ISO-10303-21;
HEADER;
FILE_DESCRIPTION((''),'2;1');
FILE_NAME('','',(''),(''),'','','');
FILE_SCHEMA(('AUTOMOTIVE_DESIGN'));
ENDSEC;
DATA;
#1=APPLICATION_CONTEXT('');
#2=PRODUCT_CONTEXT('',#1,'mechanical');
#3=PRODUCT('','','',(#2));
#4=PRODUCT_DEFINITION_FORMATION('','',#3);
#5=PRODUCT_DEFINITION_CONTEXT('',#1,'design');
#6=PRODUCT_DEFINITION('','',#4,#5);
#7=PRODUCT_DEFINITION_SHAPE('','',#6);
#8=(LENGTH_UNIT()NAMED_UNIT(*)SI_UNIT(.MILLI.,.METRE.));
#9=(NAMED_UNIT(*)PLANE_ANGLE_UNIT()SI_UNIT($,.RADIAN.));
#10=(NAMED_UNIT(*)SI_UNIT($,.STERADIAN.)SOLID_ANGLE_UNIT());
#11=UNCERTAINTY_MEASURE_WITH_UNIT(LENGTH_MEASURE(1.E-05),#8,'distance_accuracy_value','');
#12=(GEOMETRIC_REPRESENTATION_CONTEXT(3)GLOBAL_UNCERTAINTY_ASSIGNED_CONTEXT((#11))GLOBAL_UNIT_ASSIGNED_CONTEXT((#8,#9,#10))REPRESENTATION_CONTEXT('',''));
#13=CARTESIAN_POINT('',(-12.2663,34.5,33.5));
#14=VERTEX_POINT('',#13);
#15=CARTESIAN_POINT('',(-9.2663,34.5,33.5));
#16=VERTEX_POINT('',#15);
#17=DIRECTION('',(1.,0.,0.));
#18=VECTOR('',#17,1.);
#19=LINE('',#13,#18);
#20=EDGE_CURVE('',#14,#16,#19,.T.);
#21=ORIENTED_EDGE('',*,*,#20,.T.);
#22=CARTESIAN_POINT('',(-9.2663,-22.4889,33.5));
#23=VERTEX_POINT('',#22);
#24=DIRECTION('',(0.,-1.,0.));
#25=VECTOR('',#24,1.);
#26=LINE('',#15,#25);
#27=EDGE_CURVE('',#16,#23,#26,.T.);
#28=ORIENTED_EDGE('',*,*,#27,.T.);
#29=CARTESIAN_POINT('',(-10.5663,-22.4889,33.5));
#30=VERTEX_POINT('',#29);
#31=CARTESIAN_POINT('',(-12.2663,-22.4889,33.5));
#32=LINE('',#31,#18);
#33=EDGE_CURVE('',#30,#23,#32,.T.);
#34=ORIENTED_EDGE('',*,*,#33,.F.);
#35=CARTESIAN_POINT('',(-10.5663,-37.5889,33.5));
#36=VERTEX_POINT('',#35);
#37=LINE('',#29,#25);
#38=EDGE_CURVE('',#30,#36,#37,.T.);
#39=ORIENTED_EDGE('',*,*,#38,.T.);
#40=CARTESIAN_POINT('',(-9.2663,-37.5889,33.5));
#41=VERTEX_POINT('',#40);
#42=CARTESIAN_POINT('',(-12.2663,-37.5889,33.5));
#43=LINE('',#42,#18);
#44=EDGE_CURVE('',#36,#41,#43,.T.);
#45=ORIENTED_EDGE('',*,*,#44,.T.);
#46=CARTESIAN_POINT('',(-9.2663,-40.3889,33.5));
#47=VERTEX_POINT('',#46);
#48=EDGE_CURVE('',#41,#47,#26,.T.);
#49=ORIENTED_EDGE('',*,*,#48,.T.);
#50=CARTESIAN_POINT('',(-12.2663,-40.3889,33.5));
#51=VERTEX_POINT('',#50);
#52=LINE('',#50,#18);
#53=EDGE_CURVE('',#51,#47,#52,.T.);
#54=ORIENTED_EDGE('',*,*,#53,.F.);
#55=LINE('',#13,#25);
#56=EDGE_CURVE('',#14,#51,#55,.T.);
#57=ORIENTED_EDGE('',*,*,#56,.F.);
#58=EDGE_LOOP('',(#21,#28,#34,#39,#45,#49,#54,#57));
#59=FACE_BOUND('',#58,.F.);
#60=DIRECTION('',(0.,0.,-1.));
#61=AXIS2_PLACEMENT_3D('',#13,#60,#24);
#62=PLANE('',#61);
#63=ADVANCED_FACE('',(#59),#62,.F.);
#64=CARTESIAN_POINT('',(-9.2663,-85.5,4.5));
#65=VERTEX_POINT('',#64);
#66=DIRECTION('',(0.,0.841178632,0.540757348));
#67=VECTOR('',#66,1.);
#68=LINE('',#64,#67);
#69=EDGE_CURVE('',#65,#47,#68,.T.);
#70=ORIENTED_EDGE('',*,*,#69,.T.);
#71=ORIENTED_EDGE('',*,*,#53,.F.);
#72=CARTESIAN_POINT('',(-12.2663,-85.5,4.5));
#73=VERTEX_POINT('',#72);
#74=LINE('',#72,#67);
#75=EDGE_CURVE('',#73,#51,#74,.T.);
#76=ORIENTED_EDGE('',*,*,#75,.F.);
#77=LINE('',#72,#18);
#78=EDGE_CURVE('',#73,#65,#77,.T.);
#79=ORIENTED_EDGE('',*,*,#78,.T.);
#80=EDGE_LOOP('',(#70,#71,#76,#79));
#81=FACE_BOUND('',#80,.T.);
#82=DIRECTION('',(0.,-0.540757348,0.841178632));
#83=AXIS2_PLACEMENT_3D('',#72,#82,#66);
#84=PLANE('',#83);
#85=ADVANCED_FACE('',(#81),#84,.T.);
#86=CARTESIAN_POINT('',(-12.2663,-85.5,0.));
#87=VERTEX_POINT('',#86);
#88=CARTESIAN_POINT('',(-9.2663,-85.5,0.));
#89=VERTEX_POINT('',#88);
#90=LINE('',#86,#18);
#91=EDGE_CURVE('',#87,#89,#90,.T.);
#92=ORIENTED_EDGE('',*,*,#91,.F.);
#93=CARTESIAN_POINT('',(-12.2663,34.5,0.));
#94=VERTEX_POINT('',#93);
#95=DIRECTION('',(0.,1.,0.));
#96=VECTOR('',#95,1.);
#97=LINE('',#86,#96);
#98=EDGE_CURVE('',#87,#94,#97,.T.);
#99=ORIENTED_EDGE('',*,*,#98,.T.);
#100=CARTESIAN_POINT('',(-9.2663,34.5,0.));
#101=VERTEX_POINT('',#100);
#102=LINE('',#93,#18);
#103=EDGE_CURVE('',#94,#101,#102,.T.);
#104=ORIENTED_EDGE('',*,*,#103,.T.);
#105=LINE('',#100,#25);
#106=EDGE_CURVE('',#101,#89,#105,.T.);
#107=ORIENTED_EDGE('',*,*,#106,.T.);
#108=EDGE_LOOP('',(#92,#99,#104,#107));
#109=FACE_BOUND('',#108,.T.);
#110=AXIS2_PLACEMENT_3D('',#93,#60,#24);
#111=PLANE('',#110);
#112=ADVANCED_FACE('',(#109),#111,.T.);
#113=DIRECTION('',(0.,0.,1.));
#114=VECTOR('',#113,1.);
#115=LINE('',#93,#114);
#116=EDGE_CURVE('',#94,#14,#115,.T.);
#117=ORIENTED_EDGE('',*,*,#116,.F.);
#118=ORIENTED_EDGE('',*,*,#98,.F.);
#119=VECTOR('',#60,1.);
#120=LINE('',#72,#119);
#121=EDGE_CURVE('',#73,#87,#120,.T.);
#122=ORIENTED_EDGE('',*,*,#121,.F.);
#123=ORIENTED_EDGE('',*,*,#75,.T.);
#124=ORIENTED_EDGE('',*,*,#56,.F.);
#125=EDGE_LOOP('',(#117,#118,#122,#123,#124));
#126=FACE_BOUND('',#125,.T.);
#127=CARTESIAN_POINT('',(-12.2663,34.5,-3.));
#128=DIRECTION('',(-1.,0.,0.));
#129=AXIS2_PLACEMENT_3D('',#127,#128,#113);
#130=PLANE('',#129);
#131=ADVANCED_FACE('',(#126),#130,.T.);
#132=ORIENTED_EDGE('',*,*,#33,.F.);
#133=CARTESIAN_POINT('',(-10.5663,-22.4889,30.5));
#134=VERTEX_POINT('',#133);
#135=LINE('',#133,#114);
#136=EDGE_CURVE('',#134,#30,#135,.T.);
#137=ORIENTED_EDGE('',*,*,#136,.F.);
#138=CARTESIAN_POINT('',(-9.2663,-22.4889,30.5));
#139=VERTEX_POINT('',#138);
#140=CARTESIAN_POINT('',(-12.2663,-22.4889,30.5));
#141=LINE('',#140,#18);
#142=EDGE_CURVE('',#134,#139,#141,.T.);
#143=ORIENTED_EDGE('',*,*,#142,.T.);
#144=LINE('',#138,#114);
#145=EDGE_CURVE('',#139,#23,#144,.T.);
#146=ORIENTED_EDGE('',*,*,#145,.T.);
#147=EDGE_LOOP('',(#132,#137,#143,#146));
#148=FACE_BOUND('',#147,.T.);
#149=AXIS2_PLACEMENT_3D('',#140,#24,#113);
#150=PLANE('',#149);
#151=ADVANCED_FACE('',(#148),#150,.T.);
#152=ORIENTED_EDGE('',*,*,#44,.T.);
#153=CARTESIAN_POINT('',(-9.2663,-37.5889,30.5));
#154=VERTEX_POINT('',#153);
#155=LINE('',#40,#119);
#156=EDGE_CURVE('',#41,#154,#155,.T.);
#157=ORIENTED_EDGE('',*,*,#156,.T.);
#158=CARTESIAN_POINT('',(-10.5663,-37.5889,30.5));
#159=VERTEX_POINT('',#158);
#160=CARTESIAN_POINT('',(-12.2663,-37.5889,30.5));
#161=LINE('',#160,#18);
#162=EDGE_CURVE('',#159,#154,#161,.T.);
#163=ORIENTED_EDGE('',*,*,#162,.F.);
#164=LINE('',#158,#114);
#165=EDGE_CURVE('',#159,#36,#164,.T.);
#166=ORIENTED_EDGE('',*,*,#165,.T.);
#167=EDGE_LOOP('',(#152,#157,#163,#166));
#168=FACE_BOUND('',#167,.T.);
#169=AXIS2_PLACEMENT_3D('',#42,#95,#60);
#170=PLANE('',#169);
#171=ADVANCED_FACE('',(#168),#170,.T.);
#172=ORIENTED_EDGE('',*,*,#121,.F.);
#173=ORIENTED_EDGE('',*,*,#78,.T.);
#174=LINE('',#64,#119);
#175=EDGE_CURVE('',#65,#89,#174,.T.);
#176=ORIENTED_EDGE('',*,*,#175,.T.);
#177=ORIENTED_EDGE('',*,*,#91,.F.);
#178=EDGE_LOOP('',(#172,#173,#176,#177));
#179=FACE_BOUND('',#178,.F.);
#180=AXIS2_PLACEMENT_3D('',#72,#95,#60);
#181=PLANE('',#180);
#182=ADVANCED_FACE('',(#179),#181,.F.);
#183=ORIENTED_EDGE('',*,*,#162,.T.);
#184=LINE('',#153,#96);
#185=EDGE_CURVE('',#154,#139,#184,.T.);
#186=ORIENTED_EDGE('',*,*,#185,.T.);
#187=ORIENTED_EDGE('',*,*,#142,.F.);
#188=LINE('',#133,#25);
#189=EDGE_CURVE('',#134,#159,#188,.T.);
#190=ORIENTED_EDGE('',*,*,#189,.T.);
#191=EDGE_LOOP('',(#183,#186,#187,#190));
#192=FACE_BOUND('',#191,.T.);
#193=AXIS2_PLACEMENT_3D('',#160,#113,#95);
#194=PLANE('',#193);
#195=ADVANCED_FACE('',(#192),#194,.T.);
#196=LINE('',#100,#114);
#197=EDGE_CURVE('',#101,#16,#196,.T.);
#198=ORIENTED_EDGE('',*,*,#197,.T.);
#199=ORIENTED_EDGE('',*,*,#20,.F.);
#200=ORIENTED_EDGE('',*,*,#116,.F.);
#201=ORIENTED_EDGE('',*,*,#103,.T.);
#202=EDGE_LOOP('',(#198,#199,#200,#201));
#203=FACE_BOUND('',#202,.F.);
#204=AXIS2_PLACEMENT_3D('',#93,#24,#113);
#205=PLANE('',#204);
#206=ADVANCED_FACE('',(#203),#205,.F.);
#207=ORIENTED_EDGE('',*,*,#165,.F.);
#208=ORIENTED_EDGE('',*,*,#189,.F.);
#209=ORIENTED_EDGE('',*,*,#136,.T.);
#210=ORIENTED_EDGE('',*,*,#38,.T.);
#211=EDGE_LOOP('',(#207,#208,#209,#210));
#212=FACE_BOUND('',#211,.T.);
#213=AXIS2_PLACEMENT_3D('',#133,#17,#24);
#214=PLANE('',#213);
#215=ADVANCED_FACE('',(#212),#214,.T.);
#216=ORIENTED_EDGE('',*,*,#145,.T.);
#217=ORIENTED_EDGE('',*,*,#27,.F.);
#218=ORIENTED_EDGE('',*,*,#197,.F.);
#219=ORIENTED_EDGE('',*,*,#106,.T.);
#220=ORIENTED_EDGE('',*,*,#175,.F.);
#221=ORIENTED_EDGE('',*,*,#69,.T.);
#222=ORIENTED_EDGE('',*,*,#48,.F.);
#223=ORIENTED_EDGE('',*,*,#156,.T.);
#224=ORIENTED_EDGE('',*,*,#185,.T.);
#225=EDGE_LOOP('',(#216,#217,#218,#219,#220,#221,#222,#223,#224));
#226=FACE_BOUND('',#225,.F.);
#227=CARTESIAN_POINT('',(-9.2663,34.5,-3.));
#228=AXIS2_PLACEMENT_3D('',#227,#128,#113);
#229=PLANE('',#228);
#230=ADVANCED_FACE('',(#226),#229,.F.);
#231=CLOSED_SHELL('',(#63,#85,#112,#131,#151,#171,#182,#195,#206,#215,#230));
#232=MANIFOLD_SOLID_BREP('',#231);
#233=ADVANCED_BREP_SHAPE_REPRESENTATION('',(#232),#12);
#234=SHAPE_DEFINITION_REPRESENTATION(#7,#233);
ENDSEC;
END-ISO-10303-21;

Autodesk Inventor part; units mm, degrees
ref_plane "YZ Plane" through (0, 0, 0) normal (1, 0, 0) x (0, 1, 0)
ref_plane "XZ Plane" through (0, 0, 0) normal (0, 1, 0) x (-1, 0, 0)
ref_plane "XY Plane" through (0, 0, 0) normal (0, 0, 1) x (1, 0, 0)
ref_plane "Work Plane4" through (-12.2663, 34.5, -3) normal (-1, 0, 0) x (0, 0, 1)
sketch "Sketch4" plane through (-12.2663, 34.5, -3) normal (-1, 0, 0) x (0, 0, 1)
  line L0 (0, 0) -> (0, -104) projected
  line L1 (0, -104) -> (3, -104) projected
  line L2 (3, 0) -> (3, -104) projected
  line L3 (0, 0) -> (3, 0) projected
  circle A0 centre (13.5, 27.5) radius 25 projected
  line L4 (7.5, -120) -> (3, -120) projected
  line L5 (3, -120) -> (3, -124) projected
  line L6 (3, -124) -> (-0.5, -124) projected
  line L7 (-0.5, -124) -> (-0.5, -138) projected
  line L8 (-0.5, -138) -> (8.5, -124) projected
  line L9 (8.5, -124) -> (7.5, -124) projected
  line L10 (7.5, -124) -> (7.5, -120) projected
  line L11 (0, -107) -> (3, -107) projected
  line L12 (0, -107) -> (0, -124) projected
  line L13 (0, -124) -> (3, -124) projected
  line L14 (3, -107) -> (3, -124) projected
  line L15 (3, -107) -> (3, -104) projected
  line L16 (0, -104) -> (0, -107) projected
  line L17 (7.5, -120) -> (3, -120)
  line L18 (3, -120) -> (3, 0)
  line L19 (3, 0) -> (36.5, 0)
  line L20 (8.5, -124) -> (66.1149, -34.3768)
  line L21 (7.5, -120) -> (63.7229, -32.5421)
  line L22 (36.5, 0) -> (36.5, -74.8889)
  line L23 (36.5, -72.0889) -> (33.5, -72.0889)
  line L24 (33.5, -72.0889) -> (33.5, -56.9889)
  line L25 (33.5, -56.9889) -> (36.5, -56.9889)
  line L26 (36.5, -56.9889) -> (36.5, -72.0889)
  point P0 (3, -34.5)
  point P1 (38.5, 27.5)
  point P2 (36.5, -56.9889)
  dimension "d4" = 25
  dimension "d5" = 2
  dimension "d9" = 2.8
  dimension "d10" = 15.1
  dimension "d11" = 3
extrude "Extrusion1" add sketch "Sketch4" against normal blind 3 contours L19 L22 L25 L24 L23 L21 L4 L14 L15 L2
sketch "Sketch8" plane through (-12.2663, -37.5889, 30.5) normal (0, 0, 1) x (1, 0, 0)
  line L0 (22.5, 14.9) -> (2, 14.9) projected
  line L1 (1.9, 14.8) -> (1.9, 0.3) projected
  line L2 (2, 0.2) -> (22.5, 0.2) projected
  line L3 (0, 0) -> (0, 15.1) projected
  line L4 (0, 0) -> (3, 0) projected
  line L5 (3, 15.1) -> (3, 0) projected
  line L6 (0, 15.1) -> (3, 15.1) projected
  line L7 (0, -2.8) -> (0, 0) projected
  line L8 (0, -2.8) -> (3, -2.8) projected
  line L9 (3, 0) -> (3, -2.8) projected
  line L10 (0, 0) -> (3, 0) projected
  line L11 (0, 15.1) -> (0, 72.0889) projected
  line L12 (0, 15.1) -> (3, 15.1) projected
  line L13 (3, 72.0889) -> (3, 15.1) projected
  line L14 (0, 72.0889) -> (3, 72.0889) projected
  line L15 (0, 15.1) -> (1.7, 15.1)
  line L16 (1.7, 15.1) -> (1.7, 0)
  line L17 (1.7, 0) -> (0, 0)
  line L18 (0, 0) -> (0, 15.1)
  point P0 (12.2663, 37.5889)
  point P1 (1.7, 0)
  point P2 (1.7, 15.1)
  dimension "d12" = 0.2
extrude "Extrusion2" add sketch "Sketch8" along normal up to surface (3 mm away) contours L3 L6 L16 L4
properties part number "right_side"
